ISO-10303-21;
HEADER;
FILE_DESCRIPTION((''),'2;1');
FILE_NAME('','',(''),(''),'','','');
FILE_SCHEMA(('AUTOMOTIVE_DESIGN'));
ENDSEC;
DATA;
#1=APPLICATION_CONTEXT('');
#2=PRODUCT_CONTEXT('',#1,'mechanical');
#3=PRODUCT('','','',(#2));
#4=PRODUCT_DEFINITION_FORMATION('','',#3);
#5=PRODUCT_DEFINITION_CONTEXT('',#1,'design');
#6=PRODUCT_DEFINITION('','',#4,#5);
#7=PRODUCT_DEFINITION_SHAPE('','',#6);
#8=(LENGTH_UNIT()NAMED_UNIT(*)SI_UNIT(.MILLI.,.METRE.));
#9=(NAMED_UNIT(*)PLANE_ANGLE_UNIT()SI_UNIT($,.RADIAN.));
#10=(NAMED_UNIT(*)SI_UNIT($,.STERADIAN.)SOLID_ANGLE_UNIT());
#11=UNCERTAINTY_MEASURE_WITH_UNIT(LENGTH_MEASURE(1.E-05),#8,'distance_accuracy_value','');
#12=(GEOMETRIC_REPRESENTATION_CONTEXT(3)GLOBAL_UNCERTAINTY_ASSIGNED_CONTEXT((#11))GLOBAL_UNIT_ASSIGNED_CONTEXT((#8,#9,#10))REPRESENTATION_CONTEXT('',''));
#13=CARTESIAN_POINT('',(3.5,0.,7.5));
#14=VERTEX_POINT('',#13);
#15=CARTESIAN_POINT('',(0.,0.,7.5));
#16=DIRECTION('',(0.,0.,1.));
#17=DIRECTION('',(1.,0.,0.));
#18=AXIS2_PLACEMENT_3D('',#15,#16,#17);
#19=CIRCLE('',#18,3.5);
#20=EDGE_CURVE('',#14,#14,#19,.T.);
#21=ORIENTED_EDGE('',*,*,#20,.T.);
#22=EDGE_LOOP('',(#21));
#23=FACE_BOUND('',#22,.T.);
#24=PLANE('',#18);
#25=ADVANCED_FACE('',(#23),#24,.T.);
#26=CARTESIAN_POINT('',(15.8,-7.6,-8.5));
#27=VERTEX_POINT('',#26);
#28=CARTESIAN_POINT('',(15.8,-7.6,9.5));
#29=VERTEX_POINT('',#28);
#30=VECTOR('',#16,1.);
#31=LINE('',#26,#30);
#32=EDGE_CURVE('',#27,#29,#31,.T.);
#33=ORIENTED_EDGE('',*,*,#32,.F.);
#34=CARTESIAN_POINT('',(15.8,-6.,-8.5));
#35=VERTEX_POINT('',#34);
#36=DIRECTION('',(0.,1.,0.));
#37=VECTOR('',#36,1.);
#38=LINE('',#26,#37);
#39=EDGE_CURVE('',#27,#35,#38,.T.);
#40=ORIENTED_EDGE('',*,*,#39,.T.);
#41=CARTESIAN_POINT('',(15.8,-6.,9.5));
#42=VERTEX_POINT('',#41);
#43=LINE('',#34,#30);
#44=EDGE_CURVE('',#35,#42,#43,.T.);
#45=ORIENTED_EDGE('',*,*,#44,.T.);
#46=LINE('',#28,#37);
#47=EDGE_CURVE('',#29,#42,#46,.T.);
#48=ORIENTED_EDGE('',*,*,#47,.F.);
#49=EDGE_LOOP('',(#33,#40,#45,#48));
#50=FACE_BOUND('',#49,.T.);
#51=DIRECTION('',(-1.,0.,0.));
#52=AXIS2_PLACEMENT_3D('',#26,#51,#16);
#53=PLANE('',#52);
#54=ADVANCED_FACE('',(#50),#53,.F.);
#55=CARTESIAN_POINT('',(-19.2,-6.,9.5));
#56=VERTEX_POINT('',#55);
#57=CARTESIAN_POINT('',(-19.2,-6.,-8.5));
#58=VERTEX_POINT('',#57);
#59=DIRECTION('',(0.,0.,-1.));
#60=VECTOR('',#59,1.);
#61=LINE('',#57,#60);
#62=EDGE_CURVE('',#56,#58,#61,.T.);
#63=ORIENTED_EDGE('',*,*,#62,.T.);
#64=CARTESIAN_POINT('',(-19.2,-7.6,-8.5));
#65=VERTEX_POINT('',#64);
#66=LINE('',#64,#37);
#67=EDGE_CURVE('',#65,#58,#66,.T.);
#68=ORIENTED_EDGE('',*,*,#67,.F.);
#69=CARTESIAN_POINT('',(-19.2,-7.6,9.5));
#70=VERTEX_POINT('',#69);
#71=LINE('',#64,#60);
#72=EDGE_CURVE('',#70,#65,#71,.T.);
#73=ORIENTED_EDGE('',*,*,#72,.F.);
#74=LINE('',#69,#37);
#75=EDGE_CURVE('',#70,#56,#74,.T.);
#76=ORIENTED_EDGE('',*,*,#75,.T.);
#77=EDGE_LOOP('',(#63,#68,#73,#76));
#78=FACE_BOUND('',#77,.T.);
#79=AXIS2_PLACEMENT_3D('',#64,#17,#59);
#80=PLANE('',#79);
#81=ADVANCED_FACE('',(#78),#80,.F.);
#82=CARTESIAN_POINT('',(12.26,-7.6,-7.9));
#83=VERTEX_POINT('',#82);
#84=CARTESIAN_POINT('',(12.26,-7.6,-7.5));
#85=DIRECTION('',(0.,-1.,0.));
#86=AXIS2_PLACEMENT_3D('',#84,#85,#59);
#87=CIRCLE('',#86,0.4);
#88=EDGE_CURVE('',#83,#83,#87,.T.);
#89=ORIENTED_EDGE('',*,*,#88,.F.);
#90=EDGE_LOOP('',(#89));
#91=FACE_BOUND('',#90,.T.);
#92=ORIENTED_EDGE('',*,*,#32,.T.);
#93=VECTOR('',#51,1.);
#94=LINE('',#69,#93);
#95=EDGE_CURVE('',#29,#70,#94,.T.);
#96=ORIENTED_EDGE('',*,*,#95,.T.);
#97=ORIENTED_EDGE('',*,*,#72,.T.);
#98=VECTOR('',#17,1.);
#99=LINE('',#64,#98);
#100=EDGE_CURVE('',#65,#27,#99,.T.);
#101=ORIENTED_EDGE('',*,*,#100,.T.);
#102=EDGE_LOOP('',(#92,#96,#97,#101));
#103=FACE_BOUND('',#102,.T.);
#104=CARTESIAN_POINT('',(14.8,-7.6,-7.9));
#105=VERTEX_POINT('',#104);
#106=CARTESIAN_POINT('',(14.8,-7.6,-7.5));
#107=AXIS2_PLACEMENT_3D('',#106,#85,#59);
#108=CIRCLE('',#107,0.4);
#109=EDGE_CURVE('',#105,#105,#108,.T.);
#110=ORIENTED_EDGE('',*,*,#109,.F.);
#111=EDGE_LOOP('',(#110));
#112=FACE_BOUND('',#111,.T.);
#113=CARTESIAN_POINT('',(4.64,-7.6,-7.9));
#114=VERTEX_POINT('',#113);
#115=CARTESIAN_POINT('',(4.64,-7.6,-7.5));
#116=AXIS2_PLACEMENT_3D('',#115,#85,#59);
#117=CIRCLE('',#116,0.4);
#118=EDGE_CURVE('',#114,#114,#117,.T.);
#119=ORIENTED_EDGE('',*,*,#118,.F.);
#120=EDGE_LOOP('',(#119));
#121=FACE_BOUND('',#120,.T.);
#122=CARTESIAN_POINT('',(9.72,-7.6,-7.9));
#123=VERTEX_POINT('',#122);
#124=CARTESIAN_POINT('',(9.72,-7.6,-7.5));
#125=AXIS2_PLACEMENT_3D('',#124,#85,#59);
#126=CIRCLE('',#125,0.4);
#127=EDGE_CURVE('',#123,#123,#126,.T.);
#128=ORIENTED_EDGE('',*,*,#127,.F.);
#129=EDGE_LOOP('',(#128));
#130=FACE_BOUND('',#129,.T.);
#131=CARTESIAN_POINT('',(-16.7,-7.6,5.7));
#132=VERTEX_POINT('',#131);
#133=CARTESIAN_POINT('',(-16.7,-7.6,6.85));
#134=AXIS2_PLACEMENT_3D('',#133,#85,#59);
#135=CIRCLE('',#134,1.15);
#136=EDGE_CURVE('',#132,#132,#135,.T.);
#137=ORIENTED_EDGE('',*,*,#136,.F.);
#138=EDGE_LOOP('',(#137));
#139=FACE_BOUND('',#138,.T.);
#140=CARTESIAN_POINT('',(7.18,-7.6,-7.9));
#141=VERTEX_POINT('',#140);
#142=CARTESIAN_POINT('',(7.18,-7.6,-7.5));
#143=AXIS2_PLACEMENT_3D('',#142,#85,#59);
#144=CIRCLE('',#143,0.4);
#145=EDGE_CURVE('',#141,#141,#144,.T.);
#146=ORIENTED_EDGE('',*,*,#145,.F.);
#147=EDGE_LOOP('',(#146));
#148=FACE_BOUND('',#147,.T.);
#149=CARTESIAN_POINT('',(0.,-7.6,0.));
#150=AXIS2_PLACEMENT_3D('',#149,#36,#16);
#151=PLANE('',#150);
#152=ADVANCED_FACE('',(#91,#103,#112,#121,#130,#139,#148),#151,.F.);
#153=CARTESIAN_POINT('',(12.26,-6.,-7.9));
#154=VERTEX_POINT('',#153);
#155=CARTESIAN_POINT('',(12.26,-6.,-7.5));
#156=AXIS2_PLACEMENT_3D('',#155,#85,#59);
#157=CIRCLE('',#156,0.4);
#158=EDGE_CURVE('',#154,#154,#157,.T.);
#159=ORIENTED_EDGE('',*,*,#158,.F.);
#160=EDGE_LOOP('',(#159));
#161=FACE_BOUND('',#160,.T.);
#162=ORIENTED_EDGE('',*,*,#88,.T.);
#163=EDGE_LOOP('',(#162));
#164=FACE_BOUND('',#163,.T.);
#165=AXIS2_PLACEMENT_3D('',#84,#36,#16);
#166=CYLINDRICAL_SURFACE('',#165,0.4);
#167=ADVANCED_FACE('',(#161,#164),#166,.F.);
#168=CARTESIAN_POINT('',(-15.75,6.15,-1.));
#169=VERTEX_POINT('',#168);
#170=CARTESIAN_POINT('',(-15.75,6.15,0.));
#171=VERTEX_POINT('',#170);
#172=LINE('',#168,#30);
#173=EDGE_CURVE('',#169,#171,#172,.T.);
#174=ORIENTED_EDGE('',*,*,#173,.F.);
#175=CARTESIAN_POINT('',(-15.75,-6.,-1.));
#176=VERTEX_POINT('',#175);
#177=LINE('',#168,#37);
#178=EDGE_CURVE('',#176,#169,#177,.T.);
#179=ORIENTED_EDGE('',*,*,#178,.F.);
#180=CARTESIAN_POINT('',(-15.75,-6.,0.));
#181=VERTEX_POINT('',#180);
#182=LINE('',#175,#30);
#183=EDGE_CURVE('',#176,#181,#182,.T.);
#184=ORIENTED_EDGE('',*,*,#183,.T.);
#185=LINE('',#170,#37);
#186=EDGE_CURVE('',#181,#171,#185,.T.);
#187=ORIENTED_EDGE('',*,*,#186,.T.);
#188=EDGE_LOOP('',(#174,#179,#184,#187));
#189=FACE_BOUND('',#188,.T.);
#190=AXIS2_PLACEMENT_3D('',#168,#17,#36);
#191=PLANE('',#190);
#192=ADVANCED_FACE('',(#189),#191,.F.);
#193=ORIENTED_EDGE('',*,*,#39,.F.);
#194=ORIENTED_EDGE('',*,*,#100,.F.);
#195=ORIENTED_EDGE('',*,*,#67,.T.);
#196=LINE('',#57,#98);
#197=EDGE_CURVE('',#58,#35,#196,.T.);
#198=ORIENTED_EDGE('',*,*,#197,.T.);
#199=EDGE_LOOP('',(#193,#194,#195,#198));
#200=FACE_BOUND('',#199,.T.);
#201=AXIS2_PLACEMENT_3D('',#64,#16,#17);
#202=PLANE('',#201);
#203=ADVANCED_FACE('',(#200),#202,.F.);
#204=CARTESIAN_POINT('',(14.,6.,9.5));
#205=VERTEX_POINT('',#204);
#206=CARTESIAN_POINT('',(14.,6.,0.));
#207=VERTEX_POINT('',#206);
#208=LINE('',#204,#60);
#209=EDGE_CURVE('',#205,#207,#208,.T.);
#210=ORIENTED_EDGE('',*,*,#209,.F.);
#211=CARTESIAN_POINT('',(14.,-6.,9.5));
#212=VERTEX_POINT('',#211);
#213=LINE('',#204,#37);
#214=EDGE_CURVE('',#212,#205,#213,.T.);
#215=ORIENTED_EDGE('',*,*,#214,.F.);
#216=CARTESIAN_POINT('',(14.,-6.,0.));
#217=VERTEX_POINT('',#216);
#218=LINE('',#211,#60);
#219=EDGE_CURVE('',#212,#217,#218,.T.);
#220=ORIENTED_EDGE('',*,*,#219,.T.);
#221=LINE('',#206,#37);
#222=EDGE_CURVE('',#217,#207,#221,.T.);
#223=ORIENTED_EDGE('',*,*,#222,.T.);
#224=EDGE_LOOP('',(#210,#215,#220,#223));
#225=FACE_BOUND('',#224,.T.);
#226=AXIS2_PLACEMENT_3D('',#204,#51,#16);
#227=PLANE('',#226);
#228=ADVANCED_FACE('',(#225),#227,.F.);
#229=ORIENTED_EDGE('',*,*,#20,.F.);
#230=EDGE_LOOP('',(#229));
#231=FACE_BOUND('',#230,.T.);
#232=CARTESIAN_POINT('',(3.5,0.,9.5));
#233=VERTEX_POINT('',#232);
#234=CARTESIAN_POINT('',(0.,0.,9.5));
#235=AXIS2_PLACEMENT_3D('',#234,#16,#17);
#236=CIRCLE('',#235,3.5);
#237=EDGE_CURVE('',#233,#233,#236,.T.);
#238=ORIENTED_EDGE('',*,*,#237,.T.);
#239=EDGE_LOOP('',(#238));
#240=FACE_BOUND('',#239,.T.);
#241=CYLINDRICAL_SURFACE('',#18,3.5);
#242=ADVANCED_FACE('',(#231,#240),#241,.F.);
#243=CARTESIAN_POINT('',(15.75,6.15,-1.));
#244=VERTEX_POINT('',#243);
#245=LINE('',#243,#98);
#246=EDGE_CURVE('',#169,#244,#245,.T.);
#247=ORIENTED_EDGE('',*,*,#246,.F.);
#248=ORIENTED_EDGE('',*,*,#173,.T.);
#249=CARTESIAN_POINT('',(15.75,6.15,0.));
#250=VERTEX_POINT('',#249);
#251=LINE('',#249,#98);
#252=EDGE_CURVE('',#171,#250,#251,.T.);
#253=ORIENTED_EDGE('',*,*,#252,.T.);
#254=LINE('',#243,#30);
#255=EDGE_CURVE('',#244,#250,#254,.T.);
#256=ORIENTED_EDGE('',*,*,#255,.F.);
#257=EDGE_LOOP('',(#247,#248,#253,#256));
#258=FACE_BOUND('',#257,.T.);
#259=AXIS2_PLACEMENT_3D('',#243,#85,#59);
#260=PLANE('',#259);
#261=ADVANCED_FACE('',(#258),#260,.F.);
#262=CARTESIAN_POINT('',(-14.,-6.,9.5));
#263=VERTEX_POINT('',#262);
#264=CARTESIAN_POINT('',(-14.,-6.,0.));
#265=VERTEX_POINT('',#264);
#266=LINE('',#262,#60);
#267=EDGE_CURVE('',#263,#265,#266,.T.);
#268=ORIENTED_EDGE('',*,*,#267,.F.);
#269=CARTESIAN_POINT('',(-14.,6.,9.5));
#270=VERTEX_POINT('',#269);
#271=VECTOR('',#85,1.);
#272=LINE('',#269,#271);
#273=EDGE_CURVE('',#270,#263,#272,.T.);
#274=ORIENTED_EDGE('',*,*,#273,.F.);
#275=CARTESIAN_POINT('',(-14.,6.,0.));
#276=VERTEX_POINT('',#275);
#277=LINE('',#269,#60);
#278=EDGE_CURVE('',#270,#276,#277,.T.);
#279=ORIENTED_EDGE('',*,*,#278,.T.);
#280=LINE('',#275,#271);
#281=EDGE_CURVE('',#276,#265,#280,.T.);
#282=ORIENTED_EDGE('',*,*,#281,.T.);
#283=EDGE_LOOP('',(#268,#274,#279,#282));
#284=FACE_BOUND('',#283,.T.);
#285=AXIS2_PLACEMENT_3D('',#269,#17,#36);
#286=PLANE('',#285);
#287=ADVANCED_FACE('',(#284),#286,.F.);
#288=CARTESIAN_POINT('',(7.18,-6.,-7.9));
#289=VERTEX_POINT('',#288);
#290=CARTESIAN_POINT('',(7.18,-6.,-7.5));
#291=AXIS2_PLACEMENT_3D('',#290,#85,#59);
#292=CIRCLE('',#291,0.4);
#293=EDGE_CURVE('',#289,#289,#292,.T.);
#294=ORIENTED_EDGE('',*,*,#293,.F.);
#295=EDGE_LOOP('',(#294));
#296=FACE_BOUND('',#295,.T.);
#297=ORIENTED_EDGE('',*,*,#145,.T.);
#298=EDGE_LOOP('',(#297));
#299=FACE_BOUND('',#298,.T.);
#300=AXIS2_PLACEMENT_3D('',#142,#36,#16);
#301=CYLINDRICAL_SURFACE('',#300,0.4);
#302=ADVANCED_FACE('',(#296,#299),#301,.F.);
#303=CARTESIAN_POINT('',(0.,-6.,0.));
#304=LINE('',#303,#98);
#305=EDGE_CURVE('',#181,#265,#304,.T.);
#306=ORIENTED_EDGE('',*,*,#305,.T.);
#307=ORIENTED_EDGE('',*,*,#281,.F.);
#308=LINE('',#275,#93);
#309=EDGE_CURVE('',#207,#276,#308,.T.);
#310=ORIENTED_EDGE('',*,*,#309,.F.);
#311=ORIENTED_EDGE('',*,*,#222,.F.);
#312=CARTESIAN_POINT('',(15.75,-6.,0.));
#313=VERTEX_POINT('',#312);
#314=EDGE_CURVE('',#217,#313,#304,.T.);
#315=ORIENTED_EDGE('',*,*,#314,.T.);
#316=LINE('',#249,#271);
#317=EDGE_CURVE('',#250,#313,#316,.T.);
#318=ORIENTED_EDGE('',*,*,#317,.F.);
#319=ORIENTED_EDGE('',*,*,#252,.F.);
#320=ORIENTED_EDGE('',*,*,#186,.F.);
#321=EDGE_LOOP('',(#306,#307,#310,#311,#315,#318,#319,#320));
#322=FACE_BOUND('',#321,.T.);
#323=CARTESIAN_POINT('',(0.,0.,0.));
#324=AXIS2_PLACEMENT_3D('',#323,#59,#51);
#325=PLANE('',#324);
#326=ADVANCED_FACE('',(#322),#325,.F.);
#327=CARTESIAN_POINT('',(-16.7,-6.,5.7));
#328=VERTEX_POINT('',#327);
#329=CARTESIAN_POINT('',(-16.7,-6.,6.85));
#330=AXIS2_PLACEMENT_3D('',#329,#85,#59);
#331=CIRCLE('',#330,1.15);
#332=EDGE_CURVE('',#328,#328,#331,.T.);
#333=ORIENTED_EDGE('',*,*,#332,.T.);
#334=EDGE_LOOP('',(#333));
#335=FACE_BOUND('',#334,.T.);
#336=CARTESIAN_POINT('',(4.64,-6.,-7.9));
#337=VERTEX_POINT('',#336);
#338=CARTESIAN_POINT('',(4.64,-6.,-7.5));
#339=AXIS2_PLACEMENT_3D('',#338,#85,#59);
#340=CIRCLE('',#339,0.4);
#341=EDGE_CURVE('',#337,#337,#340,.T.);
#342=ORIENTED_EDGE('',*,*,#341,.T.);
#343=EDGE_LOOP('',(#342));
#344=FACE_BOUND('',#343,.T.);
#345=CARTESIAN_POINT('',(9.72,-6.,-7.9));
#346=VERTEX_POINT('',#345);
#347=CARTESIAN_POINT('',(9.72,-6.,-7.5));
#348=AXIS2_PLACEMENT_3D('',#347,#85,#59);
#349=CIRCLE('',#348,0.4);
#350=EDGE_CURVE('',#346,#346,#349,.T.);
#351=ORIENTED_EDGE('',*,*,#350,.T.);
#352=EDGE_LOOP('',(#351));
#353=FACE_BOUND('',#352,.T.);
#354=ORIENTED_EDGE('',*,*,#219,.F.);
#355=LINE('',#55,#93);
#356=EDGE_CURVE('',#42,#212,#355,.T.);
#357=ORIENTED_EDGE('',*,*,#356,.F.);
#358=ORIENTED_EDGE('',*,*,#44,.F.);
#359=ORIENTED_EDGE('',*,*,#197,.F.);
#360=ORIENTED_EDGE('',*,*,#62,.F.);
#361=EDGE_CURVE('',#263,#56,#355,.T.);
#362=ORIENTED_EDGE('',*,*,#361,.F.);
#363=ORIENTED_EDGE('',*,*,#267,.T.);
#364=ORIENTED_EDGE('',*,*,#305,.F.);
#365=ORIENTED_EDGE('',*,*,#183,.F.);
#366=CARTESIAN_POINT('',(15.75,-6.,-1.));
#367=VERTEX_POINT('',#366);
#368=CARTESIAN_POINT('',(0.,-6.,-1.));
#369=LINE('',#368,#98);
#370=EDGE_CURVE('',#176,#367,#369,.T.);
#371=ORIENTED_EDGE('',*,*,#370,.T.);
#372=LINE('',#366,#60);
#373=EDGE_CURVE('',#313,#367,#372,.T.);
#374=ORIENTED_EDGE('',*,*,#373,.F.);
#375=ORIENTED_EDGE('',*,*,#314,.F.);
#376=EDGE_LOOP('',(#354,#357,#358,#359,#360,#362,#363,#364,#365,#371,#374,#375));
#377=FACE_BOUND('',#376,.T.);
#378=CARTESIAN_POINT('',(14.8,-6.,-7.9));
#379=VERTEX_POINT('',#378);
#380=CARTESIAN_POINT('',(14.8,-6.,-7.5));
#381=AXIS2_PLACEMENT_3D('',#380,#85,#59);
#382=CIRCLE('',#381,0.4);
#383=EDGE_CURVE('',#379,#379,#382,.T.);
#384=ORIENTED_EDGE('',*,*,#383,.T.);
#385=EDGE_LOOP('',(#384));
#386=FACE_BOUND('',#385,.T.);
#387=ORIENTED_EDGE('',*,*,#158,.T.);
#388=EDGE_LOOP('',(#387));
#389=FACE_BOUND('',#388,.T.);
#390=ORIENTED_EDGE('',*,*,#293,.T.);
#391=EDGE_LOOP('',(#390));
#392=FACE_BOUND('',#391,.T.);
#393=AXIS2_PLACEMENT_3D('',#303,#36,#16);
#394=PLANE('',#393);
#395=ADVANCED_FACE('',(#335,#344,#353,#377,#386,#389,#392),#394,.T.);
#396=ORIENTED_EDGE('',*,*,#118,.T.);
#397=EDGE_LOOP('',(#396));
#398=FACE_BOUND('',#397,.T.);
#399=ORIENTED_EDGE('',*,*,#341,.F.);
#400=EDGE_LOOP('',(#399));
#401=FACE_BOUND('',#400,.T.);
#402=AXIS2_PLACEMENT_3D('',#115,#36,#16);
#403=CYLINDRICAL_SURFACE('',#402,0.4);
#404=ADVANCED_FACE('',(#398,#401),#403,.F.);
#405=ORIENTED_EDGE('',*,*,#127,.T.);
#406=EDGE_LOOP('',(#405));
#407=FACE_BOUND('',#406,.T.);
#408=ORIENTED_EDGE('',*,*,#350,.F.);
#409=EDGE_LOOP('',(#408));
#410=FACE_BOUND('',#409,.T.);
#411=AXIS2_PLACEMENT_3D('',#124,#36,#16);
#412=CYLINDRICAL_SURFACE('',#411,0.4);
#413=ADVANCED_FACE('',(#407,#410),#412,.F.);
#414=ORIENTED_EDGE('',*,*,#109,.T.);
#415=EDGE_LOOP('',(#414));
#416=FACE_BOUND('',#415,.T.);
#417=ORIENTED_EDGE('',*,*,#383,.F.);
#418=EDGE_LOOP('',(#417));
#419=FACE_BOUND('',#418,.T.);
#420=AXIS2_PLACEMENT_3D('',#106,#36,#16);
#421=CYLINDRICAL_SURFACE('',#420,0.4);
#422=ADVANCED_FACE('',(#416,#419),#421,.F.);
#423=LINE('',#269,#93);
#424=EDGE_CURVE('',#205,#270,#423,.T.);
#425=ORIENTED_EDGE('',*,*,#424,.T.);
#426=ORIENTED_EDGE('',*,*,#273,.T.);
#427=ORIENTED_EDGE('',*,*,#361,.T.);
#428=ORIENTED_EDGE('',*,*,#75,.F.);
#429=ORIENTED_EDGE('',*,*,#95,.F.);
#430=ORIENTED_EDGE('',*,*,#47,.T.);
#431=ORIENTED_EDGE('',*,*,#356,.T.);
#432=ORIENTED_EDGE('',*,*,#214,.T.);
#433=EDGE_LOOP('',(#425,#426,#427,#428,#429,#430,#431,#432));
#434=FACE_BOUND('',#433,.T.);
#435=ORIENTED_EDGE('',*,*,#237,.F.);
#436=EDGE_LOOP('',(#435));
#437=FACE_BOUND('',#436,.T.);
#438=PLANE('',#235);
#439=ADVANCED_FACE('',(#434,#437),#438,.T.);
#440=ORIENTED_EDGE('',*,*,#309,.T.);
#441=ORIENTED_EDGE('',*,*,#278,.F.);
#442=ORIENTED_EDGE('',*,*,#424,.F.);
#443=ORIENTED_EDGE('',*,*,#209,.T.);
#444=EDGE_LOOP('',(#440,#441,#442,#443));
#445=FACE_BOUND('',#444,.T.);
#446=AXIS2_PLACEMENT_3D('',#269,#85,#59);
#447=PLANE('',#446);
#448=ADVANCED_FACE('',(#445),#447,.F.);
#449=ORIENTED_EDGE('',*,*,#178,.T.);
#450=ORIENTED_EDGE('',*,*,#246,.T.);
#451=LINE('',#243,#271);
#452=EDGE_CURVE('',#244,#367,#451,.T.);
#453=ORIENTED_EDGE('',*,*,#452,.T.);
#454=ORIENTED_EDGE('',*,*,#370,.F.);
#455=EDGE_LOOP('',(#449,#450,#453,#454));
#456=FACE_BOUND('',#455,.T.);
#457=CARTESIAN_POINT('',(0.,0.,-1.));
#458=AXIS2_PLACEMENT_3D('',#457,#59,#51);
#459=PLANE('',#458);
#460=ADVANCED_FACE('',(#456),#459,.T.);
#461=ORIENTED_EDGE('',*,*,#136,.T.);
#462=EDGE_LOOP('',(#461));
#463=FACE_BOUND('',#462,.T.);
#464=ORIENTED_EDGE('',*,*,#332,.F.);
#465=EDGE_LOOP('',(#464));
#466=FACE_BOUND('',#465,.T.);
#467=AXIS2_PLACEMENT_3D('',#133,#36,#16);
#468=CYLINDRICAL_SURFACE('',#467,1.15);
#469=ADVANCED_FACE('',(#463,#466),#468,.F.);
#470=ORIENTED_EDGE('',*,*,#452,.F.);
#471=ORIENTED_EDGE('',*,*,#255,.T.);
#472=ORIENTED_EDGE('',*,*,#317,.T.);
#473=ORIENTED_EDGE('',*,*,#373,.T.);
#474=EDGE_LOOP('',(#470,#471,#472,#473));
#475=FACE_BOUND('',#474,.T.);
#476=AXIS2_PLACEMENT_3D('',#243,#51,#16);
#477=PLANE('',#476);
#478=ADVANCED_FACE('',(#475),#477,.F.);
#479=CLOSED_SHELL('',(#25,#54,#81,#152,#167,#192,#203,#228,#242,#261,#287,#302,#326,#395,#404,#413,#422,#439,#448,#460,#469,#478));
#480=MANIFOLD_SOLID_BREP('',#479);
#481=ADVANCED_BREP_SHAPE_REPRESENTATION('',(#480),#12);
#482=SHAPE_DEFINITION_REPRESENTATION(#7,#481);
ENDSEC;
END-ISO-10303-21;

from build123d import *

# Parameters (mm, degrees)
SKETCH_2_W          = 28
SKETCH_2_H          = 12
EXTRUDE_1_DEPTH     = 9.5
SKETCH_3_W          = 31.5
SKETCH_3_H          = 12.3
EXTRUDE_2_DEPTH     = 1
SKETCH_4_W          = 35
SKETCH_4_H          = 18
SKETCH_4_R          = 1.15
SKETCH_4_R_2        = 0.4
EXTRUDE_3_DEPTH     = 1.6
SKETCH_6_R          = 3.5
CUT_EXTRUDE_1_DEPTH = 2


with BuildPart() as part:
    # 草图2 → 凸台-拉伸1 (new body)
    with BuildSketch(Plane.XY):
        Rectangle(SKETCH_2_W, SKETCH_2_H)
    extrude(amount=EXTRUDE_1_DEPTH)

    # 草图3 → 凸台-拉伸2 (add)
    with BuildSketch(Plane(origin=(0, 0, 0), x_dir=(-1, 0, 0), z_dir=(0, 0, -1))):
        Rectangle(SKETCH_3_W, SKETCH_3_H)
    extrude(amount=EXTRUDE_2_DEPTH)

    # 草图4 → 凸台-拉伸3 (add)
    with BuildSketch(Plane.XZ.offset(6)):
        with Locations((-1.7, 0.5)):
            Rectangle(SKETCH_4_W, SKETCH_4_H)
        with Locations(Location((-16.7, 6.85, 0), (0, 0, 270))):
            Circle(SKETCH_4_R, mode=Mode.SUBTRACT)
        with Locations(Location((14.8, -7.5, 0), (0, 0, 270))):
            Circle(SKETCH_4_R_2, mode=Mode.SUBTRACT)
        with Locations(Location((12.26, -7.5, 0), (0, 0, 270))):
            Circle(SKETCH_4_R_2, mode=Mode.SUBTRACT)
        with Locations(Location((9.72, -7.5, 0), (0, 0, 270))):
            Circle(SKETCH_4_R_2, mode=Mode.SUBTRACT)
        with Locations(Location((7.18, -7.5, 0), (0, 0, 270))):
            Circle(SKETCH_4_R_2, mode=Mode.SUBTRACT)
        with Locations(Location((4.64, -7.5, 0), (0, 0, 270))):
            Circle(SKETCH_4_R_2, mode=Mode.SUBTRACT)
    extrude(amount=EXTRUDE_3_DEPTH)

    # 草图6 → 切除-拉伸1 (cut)
    with BuildSketch(Plane.XY.offset(9.5)):
        Circle(SKETCH_6_R)
    extrude(amount=-CUT_EXTRUDE_1_DEPTH, mode=Mode.SUBTRACT)


solid = part.part
